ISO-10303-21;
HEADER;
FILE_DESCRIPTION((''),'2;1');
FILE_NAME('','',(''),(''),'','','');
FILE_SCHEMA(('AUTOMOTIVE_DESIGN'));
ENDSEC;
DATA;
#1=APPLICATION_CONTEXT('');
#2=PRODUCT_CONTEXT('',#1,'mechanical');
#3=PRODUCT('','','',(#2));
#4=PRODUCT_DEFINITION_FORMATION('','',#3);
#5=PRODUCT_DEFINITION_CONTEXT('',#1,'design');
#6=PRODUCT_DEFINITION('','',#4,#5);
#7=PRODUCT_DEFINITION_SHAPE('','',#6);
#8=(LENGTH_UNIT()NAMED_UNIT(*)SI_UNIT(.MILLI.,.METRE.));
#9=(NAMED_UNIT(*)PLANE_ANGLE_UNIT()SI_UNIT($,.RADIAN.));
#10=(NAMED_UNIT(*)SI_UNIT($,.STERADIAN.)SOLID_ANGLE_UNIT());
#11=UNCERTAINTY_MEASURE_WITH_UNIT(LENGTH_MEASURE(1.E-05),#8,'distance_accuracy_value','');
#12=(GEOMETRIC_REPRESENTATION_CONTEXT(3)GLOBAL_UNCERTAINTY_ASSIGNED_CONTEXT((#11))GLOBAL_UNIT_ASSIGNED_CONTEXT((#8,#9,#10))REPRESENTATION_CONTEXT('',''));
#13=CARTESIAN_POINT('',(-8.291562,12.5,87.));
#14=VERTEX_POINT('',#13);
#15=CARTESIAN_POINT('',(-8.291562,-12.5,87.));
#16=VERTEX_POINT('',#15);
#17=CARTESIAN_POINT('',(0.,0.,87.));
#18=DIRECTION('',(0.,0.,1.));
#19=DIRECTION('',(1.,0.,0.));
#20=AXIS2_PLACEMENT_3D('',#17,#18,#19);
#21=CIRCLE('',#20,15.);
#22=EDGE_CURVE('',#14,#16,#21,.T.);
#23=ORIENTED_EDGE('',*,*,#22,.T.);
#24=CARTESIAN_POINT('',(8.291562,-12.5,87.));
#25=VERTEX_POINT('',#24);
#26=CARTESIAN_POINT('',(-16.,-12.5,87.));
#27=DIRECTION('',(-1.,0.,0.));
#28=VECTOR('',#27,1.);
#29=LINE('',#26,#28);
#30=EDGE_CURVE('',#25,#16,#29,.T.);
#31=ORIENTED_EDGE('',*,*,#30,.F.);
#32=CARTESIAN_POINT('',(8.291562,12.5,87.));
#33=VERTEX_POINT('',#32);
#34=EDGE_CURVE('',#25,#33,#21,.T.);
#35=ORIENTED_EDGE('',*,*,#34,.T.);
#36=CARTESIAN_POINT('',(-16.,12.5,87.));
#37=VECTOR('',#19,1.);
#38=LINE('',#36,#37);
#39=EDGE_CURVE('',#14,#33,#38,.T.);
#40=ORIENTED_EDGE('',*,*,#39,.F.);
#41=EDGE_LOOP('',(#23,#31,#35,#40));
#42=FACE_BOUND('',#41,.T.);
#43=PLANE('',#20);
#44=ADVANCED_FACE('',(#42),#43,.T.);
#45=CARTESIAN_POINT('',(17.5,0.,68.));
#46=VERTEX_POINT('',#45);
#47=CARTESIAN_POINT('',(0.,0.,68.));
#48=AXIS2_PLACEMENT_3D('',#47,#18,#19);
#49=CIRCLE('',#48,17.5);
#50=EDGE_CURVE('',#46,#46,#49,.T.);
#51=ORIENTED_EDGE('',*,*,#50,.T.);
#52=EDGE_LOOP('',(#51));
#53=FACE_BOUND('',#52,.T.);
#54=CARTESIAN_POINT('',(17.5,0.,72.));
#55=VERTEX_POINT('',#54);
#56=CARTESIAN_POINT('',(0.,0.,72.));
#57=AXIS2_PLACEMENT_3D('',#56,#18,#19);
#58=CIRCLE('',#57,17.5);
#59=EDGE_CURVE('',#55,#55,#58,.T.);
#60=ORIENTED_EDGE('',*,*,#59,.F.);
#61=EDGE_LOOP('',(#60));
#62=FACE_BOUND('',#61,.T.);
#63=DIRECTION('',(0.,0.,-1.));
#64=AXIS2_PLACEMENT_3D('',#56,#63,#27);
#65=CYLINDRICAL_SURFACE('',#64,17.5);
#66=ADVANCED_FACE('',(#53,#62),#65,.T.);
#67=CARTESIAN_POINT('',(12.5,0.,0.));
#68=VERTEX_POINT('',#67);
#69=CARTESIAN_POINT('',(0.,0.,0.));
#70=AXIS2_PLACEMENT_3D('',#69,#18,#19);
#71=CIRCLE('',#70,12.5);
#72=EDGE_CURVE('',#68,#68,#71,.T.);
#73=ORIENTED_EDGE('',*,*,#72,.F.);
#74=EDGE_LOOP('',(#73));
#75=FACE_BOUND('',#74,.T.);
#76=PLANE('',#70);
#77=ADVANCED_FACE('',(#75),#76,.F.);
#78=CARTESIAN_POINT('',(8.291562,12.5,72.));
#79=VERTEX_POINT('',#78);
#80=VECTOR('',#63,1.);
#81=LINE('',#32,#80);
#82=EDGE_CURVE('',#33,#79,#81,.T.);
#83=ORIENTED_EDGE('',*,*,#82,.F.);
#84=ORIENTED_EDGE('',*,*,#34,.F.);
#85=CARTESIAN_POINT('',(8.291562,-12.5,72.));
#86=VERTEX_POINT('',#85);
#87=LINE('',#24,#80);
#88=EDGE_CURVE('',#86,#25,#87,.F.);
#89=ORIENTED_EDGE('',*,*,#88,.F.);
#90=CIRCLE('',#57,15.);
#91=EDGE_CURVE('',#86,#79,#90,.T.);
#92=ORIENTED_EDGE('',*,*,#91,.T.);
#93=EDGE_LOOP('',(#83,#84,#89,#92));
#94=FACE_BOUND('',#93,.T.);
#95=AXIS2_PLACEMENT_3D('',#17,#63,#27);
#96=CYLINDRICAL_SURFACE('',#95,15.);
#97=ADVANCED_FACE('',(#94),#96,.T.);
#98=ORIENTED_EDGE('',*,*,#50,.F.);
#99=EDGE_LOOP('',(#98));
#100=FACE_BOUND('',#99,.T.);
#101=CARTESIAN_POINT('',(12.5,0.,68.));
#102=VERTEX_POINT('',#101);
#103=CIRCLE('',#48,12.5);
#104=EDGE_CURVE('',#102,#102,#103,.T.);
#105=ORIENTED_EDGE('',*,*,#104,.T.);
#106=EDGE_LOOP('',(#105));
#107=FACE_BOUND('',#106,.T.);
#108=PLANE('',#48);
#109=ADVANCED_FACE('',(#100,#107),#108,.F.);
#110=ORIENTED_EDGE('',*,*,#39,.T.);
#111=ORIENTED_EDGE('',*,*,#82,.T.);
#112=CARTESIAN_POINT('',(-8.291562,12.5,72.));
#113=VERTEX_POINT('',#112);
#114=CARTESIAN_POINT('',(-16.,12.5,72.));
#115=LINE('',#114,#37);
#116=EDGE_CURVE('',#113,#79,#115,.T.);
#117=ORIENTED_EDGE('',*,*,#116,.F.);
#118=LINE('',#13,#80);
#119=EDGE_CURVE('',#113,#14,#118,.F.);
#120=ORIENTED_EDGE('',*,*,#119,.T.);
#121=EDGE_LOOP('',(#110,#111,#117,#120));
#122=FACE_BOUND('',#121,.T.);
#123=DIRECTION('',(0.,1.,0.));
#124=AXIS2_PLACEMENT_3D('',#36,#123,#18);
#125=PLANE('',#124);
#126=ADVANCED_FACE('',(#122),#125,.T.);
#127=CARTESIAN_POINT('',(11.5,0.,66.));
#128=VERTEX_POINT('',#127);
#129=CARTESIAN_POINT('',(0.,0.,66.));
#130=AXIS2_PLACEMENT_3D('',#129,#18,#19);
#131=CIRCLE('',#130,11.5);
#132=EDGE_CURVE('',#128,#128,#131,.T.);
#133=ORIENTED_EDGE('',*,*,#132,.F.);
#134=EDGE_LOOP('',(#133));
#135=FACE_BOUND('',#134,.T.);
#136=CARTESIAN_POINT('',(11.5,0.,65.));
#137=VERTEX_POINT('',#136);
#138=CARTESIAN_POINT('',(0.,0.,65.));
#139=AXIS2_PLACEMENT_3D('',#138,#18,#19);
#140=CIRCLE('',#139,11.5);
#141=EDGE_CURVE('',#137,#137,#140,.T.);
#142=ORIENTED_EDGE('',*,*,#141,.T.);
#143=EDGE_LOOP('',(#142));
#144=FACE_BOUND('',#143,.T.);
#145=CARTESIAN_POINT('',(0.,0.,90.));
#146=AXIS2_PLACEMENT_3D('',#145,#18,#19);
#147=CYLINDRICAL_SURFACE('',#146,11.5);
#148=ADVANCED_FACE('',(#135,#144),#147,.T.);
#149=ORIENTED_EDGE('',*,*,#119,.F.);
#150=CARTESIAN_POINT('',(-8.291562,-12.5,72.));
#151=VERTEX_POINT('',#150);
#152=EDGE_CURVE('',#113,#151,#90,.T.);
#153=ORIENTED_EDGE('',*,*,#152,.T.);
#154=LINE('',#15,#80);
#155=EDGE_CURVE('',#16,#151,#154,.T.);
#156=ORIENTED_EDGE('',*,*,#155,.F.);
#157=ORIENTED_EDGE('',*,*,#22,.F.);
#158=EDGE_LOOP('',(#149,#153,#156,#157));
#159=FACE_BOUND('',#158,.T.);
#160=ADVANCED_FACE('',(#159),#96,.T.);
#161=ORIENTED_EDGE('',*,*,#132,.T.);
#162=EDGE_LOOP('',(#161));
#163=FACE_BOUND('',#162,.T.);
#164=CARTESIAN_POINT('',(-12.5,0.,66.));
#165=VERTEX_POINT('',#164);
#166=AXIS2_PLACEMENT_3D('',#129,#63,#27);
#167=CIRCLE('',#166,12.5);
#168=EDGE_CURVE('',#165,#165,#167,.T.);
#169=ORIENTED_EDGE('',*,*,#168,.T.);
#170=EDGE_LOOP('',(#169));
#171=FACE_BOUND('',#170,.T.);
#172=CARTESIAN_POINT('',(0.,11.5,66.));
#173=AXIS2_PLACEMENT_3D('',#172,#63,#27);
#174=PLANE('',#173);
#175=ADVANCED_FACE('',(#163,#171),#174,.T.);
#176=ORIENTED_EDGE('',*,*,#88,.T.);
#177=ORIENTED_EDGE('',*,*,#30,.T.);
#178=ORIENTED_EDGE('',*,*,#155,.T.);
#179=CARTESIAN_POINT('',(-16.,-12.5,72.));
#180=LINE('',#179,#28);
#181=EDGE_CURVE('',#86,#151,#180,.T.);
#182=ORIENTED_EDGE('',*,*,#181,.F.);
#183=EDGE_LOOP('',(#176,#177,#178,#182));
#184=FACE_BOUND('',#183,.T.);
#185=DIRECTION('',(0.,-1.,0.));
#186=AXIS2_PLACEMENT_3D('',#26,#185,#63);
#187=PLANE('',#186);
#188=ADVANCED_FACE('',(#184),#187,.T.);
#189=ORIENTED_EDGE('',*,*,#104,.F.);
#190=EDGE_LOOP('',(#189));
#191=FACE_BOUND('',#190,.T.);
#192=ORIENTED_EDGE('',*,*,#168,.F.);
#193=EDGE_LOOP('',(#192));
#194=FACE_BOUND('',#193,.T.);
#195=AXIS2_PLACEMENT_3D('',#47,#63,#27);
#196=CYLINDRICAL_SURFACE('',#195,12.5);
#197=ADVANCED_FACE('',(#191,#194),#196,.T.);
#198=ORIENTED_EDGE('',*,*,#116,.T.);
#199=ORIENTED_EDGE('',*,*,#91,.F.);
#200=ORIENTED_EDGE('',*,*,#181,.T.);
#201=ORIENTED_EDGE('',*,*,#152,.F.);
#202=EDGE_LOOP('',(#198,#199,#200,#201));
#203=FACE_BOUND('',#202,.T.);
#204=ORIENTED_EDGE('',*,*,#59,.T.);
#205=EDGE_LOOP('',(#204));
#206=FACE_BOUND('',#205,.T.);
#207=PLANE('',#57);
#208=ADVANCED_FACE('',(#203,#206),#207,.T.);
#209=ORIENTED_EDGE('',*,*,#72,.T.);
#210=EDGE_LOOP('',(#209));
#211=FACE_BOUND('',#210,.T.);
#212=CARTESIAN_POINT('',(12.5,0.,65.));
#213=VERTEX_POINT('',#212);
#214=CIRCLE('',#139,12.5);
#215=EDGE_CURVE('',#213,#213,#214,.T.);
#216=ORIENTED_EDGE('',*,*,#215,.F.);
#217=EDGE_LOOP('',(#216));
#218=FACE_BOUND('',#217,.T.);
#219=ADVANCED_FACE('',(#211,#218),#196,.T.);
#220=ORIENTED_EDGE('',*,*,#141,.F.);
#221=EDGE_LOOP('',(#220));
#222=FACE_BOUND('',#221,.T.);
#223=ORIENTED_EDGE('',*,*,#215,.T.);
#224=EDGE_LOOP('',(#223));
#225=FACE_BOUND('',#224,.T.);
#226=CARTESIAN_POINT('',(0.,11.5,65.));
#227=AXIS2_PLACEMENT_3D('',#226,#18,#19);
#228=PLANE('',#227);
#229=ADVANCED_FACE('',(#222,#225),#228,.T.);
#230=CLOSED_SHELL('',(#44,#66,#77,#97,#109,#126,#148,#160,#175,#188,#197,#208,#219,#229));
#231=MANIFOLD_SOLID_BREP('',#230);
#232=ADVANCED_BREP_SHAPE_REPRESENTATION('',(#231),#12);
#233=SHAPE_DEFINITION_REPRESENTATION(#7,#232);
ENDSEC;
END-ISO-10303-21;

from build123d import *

# Parameters (mm, degrees)
SKETCH1_R                  = 12.5
SHAFT_D25X68_DEPTH         = 68
SKETCH2_R                  = 17.5
COLLAR_D35X4_DEPTH         = 4
SKETCH3_R                  = 15
GEARD_SEAT_D30X15_DEPTH    = 15
SKETCH4_W                  = 32
SKETCH4_H                  = 3.5
DOUBLE_FLAT_CUT_25MM_DEPTH = 15
SKETCH5_W                  = 1
SKETCH5_H                  = 2


with BuildPart() as part:
    # Sketch1 → Shaft_D25x68 (new body)
    with BuildSketch(Plane.XY):
        Circle(SKETCH1_R)
    extrude(amount=SHAFT_D25X68_DEPTH)

    # Sketch2 → Collar_D35x4 (add)
    with BuildSketch(Plane.XY.offset(68)):
        Circle(SKETCH2_R)
    extrude(amount=COLLAR_D35X4_DEPTH)

    # Sketch3 → GearD_Seat_D30x15 (add)
    with BuildSketch(Plane.XY.offset(72)):
        Circle(SKETCH3_R)
    extrude(amount=GEARD_SEAT_D30X15_DEPTH)

    # Sketch4 → Double_Flat_Cut_25mm (cut)
    with BuildSketch(Plane.XY.offset(72)):
        with Locations((0, 14.25)):
            Rectangle(SKETCH4_W, SKETCH4_H)
        with Locations((0, -14.25)):
            Rectangle(SKETCH4_W, SKETCH4_H)
    extrude(amount=DOUBLE_FLAT_CUT_25MM_DEPTH, mode=Mode.SUBTRACT)

    # Sketch5 → SnapRing_Groove_D23x1 (revolve, cut)
    with BuildSketch(Plane(origin=(0, 0, 0), x_dir=(0, 0, -1), z_dir=(1, 0, 0)), mode=Mode.PRIVATE) as snapring_groove_d23x1_sk:
        with Locations((-65.5, 12.5)):
            Rectangle(SKETCH5_W, SKETCH5_H)
    revolve(snapring_groove_d23x1_sk.sketch.rotate(Axis((0, 0, 90), (0, 0, -1)), 90), axis=Axis((0, 0, 90), (0, 0, -1)), mode=Mode.SUBTRACT)


solid = part.part
